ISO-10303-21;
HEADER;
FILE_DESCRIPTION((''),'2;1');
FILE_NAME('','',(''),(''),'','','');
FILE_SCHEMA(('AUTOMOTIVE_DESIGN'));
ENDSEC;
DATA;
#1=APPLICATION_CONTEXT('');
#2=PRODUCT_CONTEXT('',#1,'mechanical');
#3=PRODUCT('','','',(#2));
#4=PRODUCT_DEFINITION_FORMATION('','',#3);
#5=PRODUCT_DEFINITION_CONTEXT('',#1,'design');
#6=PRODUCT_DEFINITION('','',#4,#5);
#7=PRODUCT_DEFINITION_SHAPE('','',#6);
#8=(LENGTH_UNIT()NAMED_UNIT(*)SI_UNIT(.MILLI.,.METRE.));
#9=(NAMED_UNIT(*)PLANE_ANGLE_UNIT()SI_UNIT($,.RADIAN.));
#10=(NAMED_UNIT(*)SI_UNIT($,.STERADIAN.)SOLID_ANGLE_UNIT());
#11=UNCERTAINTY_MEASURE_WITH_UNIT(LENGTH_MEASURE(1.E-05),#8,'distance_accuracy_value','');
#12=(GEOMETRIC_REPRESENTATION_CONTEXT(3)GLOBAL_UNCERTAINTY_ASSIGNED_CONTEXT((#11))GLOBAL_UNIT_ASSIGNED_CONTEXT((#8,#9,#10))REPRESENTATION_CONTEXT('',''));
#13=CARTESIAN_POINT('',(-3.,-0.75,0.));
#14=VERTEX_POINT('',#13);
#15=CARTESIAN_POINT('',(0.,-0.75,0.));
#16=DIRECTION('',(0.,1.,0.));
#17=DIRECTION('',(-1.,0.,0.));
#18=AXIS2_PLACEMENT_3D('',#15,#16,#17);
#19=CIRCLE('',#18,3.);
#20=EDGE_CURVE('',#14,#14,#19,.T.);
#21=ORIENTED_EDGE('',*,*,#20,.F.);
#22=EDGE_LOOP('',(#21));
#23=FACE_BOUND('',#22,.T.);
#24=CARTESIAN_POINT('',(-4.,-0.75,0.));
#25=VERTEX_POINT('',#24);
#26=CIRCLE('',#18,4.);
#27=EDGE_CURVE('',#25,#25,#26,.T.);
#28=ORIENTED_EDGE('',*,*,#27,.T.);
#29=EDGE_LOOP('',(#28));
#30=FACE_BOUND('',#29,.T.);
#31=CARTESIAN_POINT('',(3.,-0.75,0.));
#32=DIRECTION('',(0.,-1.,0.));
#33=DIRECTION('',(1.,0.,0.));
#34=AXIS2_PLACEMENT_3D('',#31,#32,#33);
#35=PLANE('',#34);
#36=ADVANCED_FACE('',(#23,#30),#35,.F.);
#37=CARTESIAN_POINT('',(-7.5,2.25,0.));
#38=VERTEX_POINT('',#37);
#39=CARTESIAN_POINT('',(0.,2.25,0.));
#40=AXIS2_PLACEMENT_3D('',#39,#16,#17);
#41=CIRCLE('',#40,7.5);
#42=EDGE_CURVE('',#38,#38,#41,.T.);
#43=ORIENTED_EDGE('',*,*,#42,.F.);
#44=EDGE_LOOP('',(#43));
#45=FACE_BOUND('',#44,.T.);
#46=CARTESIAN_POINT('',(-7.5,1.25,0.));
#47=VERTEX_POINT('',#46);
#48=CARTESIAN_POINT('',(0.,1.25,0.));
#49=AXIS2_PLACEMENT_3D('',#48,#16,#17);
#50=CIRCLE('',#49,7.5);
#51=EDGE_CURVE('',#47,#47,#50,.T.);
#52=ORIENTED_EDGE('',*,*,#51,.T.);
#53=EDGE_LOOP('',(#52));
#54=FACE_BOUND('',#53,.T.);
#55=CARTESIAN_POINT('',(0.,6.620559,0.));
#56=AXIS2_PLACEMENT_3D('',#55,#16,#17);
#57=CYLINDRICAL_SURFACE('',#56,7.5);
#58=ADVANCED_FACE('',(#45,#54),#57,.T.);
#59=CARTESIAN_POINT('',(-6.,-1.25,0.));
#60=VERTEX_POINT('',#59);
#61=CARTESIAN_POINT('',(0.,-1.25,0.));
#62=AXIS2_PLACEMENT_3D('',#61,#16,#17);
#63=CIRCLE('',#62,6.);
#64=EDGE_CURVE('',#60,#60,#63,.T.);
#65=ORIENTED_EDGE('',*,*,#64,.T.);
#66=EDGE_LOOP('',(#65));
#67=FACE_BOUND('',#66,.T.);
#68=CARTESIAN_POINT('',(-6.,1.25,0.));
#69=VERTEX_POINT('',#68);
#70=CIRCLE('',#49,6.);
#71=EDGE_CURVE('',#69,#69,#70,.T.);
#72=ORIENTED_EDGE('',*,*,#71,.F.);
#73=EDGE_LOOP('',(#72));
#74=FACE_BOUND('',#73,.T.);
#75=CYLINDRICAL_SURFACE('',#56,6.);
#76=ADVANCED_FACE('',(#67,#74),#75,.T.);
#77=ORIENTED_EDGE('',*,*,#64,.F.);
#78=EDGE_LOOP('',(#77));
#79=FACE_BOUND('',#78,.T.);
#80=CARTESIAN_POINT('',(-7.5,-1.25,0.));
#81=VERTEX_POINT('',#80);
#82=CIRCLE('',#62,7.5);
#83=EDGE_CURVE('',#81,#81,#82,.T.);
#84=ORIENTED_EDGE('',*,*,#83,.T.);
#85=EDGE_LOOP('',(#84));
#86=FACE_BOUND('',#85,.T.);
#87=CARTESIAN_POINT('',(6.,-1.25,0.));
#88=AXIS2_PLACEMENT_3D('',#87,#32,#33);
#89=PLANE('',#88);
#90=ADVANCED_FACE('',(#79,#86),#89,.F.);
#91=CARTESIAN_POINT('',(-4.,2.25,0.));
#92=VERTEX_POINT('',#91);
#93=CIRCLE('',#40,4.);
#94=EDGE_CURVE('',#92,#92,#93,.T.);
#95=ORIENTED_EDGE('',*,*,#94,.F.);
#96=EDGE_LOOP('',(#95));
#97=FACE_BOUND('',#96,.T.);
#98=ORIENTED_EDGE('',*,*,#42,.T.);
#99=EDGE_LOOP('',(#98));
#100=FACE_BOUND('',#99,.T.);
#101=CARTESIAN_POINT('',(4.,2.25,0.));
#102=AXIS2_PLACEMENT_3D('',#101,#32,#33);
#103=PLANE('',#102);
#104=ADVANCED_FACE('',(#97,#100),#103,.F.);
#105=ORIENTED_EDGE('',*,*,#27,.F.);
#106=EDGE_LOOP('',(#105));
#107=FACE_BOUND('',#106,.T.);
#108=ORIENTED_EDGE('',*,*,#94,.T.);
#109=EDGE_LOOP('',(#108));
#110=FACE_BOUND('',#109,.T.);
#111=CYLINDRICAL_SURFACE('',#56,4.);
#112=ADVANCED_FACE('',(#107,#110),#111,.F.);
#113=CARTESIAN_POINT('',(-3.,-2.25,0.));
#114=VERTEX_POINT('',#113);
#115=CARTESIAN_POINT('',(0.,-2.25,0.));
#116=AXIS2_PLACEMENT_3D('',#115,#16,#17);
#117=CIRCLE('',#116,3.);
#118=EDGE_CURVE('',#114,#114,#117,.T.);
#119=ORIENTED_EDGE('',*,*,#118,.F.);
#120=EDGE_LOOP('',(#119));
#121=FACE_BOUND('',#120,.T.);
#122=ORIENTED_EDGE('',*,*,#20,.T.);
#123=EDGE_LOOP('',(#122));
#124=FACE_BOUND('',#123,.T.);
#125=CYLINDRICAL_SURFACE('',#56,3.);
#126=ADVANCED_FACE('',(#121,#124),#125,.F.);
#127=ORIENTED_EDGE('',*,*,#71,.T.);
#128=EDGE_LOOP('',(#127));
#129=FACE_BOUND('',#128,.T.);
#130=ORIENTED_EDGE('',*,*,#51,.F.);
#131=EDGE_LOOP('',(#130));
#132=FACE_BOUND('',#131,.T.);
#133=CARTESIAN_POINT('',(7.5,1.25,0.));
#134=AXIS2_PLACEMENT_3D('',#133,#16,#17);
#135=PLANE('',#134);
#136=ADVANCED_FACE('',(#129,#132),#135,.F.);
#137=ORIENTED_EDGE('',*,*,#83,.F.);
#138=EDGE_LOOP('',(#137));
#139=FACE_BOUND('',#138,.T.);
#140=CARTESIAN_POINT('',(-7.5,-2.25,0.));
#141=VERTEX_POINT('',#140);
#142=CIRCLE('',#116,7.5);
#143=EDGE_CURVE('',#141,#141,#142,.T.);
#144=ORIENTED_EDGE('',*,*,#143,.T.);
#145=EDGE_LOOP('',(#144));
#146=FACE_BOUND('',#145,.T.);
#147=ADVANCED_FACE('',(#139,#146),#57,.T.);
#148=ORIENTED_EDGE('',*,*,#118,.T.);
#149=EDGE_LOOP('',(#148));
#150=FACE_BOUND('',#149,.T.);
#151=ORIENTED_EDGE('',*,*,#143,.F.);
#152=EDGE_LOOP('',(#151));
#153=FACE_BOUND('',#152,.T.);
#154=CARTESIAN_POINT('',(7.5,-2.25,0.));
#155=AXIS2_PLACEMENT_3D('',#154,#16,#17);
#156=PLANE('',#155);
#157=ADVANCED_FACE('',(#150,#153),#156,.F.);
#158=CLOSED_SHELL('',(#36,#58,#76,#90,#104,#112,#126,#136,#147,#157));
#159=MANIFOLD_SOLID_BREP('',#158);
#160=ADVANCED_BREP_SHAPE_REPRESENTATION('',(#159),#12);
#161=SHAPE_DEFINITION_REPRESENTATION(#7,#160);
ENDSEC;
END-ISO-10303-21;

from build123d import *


with BuildPart() as part:
    # Sketch1 → Revolve1 (revolve)
    with BuildSketch(Plane.XY, mode=Mode.PRIVATE) as revolve1_sk:
        Polygon((4, 2.25), (4, -0.75), (3, -0.75), (3, -2.25), (7.5, -2.25), (7.5, -1.25), (6, -1.25), (6, 1.25), (7.5, 1.25), (7.5, 2.25), align=None)
    revolve(revolve1_sk.sketch.rotate(Axis((0, 6.620558795, 0), (0, -1, 0)), 180), axis=Axis((0, 6.620558795, 0), (0, -1, 0)))


solid = part.part
